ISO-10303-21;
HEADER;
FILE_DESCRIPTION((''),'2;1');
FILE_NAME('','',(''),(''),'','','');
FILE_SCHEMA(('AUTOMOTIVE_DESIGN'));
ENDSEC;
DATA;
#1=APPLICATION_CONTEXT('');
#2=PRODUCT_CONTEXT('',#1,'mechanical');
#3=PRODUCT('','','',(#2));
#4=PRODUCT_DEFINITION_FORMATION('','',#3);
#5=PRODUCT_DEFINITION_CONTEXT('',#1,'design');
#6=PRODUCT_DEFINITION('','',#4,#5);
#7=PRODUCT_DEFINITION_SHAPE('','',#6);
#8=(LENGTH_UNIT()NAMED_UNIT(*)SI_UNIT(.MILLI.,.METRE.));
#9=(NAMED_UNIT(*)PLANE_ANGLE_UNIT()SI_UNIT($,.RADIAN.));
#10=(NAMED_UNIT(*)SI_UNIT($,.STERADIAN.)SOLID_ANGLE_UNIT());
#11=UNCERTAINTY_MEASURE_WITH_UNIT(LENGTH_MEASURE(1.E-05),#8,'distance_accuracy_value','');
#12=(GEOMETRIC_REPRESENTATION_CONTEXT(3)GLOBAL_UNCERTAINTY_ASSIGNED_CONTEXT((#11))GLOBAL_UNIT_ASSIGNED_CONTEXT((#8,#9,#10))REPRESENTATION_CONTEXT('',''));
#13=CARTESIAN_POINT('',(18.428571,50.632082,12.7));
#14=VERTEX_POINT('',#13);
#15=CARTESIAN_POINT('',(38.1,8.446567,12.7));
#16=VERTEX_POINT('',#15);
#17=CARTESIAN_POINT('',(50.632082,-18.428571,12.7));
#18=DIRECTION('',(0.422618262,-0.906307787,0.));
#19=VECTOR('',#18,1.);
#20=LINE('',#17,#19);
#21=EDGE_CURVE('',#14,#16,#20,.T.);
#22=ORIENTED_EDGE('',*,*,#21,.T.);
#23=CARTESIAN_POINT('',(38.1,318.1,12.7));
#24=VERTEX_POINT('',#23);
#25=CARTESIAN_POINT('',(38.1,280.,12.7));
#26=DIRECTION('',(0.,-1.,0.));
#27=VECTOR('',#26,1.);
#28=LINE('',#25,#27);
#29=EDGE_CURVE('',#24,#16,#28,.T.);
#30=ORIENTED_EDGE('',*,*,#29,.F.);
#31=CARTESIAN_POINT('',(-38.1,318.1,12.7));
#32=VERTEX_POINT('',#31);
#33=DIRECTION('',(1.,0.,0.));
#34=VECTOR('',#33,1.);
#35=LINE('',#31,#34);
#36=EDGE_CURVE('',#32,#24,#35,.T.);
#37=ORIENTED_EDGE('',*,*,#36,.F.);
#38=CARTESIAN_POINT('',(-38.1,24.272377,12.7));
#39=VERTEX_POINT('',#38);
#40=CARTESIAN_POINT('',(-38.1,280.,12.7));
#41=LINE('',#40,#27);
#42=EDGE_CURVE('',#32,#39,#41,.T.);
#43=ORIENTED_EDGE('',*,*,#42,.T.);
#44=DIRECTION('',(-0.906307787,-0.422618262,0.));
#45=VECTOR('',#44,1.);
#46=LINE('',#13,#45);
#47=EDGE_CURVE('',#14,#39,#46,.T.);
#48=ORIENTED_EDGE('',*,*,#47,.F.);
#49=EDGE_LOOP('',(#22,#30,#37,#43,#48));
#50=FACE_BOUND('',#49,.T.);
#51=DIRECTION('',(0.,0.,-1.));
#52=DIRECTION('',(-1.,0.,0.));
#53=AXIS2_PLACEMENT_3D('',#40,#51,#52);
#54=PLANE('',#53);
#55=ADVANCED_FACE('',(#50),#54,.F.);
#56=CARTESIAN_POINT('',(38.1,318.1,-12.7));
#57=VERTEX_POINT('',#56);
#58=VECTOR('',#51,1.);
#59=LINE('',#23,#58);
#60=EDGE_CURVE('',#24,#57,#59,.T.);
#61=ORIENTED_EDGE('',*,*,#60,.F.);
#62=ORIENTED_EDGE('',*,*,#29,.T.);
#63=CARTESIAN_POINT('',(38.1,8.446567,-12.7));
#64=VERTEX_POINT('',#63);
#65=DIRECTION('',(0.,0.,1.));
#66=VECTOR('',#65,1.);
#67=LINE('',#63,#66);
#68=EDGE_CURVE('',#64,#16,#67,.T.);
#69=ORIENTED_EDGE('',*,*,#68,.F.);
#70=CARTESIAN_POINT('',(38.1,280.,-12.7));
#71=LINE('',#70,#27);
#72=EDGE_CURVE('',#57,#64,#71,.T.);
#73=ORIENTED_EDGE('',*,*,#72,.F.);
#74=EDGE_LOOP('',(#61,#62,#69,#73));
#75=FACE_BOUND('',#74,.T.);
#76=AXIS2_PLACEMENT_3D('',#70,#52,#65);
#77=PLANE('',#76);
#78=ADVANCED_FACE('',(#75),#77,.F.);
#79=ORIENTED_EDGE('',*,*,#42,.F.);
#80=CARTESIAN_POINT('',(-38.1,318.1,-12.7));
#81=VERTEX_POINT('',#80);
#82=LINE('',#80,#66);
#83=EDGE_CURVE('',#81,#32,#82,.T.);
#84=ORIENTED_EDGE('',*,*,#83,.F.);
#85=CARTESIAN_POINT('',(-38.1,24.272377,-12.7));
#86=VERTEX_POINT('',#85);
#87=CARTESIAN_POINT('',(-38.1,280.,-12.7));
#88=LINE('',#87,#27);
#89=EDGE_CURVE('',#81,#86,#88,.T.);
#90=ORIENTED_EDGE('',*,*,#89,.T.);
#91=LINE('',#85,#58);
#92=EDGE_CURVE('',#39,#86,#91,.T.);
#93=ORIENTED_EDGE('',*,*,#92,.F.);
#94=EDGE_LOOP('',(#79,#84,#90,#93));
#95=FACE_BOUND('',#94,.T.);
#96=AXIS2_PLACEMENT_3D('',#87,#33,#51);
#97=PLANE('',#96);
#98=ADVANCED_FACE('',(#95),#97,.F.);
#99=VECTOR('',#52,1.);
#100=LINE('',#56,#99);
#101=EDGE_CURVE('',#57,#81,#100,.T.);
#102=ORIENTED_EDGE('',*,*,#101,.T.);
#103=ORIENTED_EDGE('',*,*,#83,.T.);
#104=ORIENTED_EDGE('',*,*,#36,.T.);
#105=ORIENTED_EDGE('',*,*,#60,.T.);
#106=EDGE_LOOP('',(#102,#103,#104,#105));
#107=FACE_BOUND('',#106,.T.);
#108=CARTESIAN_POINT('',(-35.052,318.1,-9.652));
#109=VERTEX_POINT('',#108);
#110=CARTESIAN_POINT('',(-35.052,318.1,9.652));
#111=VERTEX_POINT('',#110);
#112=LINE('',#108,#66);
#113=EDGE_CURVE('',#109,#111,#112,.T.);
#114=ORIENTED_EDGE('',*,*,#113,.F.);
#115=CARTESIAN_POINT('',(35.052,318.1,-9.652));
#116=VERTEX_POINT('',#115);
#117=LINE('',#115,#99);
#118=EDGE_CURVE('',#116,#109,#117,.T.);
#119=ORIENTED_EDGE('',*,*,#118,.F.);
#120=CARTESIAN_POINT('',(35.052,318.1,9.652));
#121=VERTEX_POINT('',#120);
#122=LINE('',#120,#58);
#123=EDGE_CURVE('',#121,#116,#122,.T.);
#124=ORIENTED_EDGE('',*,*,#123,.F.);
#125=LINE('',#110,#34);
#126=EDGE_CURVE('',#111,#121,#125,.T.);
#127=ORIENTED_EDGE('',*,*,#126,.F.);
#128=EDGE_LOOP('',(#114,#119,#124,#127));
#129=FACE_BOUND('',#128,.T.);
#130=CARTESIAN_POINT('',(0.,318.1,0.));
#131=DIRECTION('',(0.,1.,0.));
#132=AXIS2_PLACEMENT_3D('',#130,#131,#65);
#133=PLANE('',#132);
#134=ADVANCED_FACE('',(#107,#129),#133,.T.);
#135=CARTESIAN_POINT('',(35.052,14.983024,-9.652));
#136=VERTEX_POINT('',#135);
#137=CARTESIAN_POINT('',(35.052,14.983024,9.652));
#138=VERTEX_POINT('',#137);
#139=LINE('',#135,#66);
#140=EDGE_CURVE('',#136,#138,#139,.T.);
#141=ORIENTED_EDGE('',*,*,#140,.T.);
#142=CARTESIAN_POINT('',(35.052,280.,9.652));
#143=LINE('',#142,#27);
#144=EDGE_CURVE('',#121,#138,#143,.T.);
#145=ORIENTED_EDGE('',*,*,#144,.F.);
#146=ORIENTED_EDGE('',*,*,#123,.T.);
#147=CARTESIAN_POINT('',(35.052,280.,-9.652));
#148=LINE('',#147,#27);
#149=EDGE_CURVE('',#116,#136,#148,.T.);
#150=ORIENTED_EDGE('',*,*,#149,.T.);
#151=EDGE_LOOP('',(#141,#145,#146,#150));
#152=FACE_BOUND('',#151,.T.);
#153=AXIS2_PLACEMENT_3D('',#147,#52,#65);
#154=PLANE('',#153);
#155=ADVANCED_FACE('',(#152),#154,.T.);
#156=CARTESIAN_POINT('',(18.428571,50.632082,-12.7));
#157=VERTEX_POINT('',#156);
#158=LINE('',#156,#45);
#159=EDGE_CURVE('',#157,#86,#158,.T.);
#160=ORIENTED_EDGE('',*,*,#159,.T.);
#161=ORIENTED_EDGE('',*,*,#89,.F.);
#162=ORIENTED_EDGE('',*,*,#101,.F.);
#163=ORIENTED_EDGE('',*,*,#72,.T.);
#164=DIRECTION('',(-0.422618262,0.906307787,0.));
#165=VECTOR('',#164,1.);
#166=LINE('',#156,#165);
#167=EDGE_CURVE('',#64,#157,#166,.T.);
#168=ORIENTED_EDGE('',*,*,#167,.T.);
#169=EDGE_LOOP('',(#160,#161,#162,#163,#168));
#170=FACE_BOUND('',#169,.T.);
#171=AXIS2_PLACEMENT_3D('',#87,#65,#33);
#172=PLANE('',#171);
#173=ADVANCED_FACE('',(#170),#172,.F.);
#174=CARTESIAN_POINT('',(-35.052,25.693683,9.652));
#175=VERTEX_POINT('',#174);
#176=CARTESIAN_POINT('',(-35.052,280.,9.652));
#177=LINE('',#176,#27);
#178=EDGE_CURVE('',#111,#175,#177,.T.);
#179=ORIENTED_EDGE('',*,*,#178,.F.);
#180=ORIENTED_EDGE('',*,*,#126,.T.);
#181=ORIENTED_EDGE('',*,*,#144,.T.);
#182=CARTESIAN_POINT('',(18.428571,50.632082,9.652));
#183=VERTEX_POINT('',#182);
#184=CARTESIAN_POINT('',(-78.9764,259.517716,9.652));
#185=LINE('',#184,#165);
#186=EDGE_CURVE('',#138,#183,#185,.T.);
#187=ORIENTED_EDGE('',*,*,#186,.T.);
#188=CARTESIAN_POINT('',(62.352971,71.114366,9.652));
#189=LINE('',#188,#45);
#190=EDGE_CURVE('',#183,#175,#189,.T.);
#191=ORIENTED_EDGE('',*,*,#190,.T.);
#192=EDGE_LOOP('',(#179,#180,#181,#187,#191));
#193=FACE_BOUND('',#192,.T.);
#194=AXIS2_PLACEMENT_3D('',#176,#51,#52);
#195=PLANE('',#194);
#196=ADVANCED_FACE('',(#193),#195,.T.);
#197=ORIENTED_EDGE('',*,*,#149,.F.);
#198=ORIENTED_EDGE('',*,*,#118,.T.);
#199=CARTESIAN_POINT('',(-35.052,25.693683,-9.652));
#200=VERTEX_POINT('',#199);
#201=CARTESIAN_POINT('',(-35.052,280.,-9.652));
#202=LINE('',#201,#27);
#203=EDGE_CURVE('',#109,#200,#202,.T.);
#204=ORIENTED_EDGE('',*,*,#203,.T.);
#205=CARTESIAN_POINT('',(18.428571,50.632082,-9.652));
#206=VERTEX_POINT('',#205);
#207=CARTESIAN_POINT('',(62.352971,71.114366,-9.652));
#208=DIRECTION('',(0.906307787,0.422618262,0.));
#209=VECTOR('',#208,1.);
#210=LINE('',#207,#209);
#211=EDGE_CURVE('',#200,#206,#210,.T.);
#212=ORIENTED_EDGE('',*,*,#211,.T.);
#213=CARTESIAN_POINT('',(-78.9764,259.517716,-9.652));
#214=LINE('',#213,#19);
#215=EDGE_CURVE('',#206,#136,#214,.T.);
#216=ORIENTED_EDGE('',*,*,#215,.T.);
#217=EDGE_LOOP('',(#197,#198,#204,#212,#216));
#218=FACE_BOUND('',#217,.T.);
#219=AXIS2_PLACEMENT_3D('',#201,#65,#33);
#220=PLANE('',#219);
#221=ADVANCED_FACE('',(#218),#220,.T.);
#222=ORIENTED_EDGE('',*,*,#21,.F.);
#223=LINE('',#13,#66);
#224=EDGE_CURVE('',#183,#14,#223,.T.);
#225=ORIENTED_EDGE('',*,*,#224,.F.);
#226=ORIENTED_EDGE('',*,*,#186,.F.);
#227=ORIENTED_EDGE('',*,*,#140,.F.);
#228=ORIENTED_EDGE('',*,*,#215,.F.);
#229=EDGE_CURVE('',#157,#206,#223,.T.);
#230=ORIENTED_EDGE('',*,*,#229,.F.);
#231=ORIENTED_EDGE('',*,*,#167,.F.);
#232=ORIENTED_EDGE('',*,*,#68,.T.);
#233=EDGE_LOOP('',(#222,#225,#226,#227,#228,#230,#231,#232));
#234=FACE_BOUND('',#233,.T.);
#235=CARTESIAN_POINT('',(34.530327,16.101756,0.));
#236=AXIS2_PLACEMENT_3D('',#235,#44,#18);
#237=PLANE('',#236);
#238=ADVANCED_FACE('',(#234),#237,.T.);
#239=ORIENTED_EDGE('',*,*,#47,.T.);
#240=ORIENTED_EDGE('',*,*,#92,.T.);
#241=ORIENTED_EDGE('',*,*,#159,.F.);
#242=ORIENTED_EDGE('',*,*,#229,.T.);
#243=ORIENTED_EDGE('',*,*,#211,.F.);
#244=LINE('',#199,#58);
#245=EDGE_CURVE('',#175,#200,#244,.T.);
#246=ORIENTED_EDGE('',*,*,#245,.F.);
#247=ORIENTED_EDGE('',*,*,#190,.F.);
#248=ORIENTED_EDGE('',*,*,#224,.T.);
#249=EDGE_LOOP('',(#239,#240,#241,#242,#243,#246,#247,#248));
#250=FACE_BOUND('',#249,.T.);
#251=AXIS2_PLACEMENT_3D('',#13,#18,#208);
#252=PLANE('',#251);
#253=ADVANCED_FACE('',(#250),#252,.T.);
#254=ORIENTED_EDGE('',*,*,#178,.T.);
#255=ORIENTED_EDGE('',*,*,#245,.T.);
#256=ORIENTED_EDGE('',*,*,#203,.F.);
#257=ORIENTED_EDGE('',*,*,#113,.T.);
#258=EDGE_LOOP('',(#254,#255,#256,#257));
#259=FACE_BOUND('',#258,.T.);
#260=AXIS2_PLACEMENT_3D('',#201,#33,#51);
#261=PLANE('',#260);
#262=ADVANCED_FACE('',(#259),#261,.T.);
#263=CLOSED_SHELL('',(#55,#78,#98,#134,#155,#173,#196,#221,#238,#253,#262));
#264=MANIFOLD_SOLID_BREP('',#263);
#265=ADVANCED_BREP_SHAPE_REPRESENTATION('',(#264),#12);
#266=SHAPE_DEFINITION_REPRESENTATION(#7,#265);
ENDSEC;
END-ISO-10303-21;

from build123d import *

# Parameters (mm, degrees)
SKETCH1_W           = 76.2
SKETCH1_H           = 25.4
SKETCH1_W_2         = 70.104
SKETCH1_H_2         = 19.304
BOSS_EXTRUDE1_DEPTH = 280
SKETCH3_W           = 76.2
SKETCH3_H           = 25.4
SKETCH3_W_2         = 70.104
SKETCH3_H_2         = 19.304
BOSS_EXTRUDE2_DEPTH = 38.1
CUT_EXTRUDE2_START  = -34.530327
SKETCH5_W           = 25.4
SKETCH5_H           = 76.2
CUT_EXTRUDE2_DEPTH  = 72.630327


with BuildPart() as part:
    # Sketch1 → Boss-Extrude1 (new body)
    with BuildSketch(Plane(origin=(0, 0, 0), x_dir=(1, 0, 0), z_dir=(0, 1, 0))):
        Rectangle(SKETCH1_W, SKETCH1_H)
        Rectangle(SKETCH1_W_2, SKETCH1_H_2, mode=Mode.SUBTRACT)
    extrude(amount=BOSS_EXTRUDE1_DEPTH)

    # Sketch3 → Boss-Extrude2 (add)
    with BuildSketch(Plane(origin=(0, 280, 0), x_dir=(1, 0, 0), z_dir=(0, 1, 0))):
        Rectangle(SKETCH3_W, SKETCH3_H)
        Rectangle(SKETCH3_W_2, SKETCH3_H_2, mode=Mode.SUBTRACT)
    extrude(amount=BOSS_EXTRUDE2_DEPTH)

    # Sketch5 → Cut-Extrude2 (cut)
    with BuildSketch(Plane(origin=(0, 0, 0), x_dir=(0, 0, -1), z_dir=(0.906307787, 0.422618262, 0)).offset(CUT_EXTRUDE2_START)):
        Rectangle(SKETCH5_W, SKETCH5_H)
    extrude(amount=CUT_EXTRUDE2_DEPTH, mode=Mode.SUBTRACT)


solid = part.part
